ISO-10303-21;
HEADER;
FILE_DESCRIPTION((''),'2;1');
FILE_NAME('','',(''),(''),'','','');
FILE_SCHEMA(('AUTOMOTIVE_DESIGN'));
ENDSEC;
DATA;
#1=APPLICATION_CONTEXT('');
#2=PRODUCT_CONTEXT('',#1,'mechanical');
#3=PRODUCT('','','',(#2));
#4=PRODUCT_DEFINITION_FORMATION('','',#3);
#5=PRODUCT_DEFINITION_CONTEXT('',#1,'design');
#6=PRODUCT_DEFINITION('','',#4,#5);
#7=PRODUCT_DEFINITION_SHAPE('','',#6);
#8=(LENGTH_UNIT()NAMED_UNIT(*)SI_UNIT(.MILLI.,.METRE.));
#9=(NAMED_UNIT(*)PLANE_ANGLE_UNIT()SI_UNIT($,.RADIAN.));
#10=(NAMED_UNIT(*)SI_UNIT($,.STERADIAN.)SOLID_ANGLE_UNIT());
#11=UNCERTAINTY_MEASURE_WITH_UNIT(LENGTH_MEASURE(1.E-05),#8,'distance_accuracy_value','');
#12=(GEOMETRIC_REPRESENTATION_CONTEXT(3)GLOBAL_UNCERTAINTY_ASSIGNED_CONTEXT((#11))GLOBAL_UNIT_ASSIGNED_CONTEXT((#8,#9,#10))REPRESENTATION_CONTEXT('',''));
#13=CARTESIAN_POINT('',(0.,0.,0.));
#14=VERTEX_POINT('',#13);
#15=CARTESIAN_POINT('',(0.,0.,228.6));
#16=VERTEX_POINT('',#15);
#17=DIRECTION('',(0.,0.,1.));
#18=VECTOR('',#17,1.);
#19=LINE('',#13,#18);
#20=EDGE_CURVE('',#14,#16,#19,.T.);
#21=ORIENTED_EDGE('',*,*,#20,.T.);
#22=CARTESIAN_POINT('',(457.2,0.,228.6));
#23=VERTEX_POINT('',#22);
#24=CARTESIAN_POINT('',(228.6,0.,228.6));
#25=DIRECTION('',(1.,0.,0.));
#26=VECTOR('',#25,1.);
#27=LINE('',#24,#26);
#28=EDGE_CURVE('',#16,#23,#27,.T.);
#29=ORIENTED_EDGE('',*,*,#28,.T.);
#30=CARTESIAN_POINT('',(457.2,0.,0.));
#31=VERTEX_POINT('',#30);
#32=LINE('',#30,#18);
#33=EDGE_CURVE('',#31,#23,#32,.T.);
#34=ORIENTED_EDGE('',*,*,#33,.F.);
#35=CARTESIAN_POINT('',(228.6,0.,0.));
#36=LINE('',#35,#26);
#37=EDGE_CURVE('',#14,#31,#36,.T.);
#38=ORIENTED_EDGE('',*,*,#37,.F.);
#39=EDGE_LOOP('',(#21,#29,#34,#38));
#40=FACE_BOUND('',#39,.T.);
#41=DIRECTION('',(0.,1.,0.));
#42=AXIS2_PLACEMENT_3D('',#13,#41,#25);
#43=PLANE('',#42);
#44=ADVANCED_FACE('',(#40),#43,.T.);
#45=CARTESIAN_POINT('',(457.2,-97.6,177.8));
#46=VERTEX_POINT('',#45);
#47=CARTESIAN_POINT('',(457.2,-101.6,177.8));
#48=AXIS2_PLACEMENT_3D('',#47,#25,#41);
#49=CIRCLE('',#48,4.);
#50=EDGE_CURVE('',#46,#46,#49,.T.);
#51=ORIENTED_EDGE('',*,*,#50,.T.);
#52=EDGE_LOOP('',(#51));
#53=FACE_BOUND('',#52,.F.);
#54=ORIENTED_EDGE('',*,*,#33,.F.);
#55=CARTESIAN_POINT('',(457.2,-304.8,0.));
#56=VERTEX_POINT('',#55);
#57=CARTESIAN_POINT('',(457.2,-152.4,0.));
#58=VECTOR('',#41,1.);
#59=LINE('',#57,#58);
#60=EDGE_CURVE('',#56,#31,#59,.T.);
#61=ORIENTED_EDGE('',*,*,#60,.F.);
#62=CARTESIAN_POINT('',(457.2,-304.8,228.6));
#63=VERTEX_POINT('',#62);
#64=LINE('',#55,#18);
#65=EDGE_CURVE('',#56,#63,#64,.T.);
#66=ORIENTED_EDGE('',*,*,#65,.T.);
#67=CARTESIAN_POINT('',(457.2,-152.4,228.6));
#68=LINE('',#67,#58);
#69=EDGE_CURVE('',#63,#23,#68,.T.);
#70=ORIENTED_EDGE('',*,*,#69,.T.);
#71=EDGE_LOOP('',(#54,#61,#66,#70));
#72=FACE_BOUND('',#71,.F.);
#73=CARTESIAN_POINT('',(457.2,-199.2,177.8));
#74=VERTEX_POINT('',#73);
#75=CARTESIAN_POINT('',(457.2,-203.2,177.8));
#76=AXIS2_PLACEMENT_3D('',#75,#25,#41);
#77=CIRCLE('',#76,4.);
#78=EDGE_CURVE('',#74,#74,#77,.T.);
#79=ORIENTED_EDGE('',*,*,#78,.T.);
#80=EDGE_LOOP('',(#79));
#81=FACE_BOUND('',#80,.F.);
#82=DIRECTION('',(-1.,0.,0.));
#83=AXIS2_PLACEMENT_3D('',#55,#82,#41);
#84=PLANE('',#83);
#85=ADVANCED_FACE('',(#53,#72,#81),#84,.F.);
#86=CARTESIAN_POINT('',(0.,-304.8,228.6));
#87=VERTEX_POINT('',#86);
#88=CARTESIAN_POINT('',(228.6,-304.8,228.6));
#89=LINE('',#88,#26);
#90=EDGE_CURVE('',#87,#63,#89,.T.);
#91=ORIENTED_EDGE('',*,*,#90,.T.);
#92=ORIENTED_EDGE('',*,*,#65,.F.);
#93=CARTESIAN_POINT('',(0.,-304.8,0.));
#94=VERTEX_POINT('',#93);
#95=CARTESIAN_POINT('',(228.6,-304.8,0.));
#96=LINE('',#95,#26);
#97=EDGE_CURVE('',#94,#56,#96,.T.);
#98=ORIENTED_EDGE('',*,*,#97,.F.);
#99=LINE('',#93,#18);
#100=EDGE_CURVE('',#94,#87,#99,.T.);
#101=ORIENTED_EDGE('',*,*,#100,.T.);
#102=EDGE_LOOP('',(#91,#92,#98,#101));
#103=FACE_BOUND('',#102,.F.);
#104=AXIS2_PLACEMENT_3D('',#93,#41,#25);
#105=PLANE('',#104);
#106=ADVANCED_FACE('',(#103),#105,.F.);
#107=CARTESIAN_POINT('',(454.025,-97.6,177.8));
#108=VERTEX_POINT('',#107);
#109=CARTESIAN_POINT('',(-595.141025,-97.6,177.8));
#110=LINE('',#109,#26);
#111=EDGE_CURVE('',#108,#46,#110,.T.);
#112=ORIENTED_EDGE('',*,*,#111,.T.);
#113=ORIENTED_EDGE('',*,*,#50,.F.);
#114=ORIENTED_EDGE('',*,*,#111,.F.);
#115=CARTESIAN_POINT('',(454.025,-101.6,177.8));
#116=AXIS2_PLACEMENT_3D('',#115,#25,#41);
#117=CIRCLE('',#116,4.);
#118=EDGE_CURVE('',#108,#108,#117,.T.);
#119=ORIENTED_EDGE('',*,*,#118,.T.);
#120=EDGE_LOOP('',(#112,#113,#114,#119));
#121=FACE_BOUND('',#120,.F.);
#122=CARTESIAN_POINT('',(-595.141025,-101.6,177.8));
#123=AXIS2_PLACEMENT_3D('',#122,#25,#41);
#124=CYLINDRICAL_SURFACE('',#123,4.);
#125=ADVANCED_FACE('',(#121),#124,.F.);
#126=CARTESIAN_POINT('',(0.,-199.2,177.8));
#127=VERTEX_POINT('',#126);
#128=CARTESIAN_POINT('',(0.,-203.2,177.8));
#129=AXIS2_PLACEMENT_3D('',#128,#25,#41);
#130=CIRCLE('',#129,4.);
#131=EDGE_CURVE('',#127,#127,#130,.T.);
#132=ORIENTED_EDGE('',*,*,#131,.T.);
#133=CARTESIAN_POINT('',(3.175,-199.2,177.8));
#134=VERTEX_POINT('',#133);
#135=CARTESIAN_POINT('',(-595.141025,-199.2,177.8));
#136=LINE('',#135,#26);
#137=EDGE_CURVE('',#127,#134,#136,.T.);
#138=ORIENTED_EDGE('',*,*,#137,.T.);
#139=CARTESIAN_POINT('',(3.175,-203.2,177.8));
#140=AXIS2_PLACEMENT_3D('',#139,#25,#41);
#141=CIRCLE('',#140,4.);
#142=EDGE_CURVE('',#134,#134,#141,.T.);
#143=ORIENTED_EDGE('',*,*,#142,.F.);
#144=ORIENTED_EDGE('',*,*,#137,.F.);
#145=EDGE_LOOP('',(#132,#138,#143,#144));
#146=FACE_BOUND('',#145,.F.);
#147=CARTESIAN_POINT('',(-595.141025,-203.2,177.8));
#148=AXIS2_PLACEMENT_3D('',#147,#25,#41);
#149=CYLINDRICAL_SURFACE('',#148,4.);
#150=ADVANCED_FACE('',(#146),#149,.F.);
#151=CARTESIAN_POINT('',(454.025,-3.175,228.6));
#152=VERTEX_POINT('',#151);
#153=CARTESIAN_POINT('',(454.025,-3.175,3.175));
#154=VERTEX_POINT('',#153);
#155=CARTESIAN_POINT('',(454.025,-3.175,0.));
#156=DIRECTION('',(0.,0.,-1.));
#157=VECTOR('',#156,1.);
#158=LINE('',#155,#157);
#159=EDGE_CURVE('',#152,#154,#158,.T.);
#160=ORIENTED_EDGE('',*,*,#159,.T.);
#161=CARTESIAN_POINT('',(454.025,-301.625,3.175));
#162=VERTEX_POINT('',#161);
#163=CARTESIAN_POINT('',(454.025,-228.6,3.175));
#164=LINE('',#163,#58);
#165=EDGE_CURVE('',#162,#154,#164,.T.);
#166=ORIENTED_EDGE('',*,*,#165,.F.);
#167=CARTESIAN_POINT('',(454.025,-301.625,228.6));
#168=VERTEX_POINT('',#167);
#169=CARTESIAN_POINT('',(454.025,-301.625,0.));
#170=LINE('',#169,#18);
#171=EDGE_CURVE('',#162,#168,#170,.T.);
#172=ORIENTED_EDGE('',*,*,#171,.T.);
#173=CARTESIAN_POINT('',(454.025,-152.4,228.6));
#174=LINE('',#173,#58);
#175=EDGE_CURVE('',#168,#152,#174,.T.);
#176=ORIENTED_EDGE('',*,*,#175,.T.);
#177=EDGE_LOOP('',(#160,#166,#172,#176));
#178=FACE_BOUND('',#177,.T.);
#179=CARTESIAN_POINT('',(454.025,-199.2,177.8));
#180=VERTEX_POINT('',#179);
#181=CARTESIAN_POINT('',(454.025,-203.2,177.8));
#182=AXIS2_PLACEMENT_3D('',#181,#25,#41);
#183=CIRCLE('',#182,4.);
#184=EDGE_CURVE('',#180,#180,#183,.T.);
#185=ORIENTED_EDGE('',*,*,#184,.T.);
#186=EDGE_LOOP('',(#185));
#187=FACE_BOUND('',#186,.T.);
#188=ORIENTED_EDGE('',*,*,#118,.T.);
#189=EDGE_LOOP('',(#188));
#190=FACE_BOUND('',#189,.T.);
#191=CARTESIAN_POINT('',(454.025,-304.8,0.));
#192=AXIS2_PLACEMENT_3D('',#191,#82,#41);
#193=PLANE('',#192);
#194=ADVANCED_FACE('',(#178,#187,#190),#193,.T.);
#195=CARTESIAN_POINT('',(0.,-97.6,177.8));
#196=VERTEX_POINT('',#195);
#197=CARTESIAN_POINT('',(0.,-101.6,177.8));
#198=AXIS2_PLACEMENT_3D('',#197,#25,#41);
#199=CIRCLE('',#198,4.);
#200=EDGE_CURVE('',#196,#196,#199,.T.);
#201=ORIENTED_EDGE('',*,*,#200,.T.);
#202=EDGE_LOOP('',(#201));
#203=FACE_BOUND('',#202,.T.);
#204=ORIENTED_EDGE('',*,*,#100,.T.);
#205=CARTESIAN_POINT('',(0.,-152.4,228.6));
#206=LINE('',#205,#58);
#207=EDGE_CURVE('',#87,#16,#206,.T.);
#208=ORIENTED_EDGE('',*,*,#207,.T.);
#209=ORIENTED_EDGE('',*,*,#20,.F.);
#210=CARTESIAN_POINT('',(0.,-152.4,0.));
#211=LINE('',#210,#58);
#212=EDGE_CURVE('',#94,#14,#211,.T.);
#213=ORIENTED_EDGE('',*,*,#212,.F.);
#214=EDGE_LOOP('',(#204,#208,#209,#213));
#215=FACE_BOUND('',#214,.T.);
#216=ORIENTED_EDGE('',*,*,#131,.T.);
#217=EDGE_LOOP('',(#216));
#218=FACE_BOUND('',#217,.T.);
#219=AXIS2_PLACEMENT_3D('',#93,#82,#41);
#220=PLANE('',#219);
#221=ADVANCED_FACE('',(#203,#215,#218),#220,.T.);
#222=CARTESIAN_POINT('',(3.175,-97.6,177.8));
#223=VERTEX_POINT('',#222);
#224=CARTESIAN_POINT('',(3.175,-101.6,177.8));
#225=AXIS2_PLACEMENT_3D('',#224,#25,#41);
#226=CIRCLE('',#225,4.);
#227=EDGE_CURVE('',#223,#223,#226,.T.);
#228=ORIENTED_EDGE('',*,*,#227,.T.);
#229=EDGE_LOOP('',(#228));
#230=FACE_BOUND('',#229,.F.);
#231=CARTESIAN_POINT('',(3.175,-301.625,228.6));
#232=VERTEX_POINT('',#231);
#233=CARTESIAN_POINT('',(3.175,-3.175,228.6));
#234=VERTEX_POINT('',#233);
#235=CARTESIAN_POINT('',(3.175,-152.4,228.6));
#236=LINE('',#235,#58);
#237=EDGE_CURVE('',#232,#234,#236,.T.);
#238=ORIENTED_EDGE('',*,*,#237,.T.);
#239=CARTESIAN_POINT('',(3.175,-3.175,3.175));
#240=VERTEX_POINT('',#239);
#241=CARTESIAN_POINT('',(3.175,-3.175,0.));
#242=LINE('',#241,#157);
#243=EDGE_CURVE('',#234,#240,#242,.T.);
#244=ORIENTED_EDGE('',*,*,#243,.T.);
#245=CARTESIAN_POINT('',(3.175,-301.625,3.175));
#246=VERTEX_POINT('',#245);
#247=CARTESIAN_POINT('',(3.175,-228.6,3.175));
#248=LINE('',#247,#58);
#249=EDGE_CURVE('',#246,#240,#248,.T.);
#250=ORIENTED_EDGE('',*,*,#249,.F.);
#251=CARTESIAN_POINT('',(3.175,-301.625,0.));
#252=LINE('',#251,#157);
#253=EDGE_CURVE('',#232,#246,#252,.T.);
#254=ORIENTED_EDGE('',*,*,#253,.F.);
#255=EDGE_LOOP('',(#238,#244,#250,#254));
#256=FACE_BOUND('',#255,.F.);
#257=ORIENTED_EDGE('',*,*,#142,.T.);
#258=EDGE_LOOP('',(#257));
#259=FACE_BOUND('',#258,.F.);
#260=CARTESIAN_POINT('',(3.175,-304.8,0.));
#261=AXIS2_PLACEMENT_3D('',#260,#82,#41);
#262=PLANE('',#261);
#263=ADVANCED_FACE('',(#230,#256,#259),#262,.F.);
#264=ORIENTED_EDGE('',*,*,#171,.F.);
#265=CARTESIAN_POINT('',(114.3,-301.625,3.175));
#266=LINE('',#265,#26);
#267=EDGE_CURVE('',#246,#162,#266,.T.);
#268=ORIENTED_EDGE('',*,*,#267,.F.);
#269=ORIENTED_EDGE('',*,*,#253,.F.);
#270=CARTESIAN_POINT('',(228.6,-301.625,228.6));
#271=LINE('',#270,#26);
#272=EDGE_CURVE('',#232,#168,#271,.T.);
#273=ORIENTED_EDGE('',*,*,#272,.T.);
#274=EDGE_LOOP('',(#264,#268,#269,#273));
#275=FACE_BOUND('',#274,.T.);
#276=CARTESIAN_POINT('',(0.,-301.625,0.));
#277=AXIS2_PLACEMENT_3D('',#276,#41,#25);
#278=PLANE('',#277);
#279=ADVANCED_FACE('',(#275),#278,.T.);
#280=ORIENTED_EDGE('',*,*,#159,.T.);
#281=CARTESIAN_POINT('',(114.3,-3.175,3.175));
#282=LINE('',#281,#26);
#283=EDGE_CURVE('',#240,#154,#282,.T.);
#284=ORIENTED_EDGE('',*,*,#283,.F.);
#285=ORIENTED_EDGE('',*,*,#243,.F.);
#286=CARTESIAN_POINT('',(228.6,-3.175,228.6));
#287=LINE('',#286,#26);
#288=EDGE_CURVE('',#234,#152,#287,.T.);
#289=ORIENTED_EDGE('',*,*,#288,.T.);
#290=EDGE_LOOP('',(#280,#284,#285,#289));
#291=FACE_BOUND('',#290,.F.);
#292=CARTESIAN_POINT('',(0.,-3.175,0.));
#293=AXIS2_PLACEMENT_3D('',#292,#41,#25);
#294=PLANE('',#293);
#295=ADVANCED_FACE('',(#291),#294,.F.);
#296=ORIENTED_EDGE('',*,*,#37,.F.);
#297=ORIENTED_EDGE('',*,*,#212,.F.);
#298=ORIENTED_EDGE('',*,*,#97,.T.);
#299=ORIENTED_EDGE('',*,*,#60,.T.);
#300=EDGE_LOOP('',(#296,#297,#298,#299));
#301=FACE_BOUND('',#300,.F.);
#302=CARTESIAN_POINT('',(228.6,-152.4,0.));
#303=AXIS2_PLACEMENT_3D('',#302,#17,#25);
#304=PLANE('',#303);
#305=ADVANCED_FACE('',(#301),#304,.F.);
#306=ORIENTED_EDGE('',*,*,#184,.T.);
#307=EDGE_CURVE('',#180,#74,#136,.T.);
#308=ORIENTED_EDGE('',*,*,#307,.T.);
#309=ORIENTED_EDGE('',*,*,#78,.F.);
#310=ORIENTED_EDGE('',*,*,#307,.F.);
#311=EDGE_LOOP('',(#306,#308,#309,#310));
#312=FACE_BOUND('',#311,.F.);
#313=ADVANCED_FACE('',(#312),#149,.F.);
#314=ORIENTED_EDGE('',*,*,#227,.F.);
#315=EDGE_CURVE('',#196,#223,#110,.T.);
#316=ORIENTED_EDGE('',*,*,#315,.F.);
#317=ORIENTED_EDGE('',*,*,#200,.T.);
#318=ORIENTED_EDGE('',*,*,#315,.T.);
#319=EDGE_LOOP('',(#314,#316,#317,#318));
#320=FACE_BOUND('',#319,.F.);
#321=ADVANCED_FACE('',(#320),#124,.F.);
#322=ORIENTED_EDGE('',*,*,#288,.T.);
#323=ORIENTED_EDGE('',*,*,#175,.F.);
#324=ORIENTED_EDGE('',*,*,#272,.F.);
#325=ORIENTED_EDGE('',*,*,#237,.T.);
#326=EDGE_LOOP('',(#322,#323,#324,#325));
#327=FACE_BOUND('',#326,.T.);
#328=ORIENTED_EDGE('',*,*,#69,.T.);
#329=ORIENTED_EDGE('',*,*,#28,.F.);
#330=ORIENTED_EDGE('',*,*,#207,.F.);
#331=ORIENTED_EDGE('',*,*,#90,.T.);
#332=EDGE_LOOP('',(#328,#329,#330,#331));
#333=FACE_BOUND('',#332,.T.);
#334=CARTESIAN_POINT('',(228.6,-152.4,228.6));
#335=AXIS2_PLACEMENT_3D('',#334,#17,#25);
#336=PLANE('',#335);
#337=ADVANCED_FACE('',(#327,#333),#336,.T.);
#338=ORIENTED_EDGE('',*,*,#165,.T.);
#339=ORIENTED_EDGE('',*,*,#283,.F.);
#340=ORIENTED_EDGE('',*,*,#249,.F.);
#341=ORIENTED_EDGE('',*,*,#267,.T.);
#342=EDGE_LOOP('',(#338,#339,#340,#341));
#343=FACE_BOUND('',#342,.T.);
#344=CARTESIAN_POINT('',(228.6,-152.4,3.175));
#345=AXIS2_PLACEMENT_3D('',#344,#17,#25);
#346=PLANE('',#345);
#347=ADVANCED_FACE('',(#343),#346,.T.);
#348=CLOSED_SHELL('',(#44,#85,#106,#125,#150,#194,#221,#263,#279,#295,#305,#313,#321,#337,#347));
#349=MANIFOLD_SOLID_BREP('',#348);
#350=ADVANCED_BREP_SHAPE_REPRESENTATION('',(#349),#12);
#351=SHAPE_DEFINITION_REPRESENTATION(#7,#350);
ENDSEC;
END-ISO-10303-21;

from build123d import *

# Parameters (mm, degrees)
F0_W     = 457.2
F0_H     = 304.8
F1_DEPTH = 228.6
F2_T     = -3.175
F4_D     = 8


with BuildPart() as f1:
    # F0 (on Top) → F1 (new body)
    with BuildSketch(Plane.XY):
        with Locations((228.6, -152.4)):
            Rectangle(F0_W, F0_H)
    extrude(amount=F1_DEPTH)

    # F2
    f2_openings = [f1.faces().sort_by_distance(p)[0] for p in [
        (228.6, -152.4, 228.6),
    ]]
    offset(amount=F2_T, openings=f2_openings)

    # F4 (through all)
    with Locations(Plane(origin=(0, 0, 0), x_dir=(0, -1, 0), z_dir=(-1, 0, 0))):
        with Locations((203.2, 177.8), (101.6, 177.8)):
            Hole(F4_D / 2)


solid = f1.part
